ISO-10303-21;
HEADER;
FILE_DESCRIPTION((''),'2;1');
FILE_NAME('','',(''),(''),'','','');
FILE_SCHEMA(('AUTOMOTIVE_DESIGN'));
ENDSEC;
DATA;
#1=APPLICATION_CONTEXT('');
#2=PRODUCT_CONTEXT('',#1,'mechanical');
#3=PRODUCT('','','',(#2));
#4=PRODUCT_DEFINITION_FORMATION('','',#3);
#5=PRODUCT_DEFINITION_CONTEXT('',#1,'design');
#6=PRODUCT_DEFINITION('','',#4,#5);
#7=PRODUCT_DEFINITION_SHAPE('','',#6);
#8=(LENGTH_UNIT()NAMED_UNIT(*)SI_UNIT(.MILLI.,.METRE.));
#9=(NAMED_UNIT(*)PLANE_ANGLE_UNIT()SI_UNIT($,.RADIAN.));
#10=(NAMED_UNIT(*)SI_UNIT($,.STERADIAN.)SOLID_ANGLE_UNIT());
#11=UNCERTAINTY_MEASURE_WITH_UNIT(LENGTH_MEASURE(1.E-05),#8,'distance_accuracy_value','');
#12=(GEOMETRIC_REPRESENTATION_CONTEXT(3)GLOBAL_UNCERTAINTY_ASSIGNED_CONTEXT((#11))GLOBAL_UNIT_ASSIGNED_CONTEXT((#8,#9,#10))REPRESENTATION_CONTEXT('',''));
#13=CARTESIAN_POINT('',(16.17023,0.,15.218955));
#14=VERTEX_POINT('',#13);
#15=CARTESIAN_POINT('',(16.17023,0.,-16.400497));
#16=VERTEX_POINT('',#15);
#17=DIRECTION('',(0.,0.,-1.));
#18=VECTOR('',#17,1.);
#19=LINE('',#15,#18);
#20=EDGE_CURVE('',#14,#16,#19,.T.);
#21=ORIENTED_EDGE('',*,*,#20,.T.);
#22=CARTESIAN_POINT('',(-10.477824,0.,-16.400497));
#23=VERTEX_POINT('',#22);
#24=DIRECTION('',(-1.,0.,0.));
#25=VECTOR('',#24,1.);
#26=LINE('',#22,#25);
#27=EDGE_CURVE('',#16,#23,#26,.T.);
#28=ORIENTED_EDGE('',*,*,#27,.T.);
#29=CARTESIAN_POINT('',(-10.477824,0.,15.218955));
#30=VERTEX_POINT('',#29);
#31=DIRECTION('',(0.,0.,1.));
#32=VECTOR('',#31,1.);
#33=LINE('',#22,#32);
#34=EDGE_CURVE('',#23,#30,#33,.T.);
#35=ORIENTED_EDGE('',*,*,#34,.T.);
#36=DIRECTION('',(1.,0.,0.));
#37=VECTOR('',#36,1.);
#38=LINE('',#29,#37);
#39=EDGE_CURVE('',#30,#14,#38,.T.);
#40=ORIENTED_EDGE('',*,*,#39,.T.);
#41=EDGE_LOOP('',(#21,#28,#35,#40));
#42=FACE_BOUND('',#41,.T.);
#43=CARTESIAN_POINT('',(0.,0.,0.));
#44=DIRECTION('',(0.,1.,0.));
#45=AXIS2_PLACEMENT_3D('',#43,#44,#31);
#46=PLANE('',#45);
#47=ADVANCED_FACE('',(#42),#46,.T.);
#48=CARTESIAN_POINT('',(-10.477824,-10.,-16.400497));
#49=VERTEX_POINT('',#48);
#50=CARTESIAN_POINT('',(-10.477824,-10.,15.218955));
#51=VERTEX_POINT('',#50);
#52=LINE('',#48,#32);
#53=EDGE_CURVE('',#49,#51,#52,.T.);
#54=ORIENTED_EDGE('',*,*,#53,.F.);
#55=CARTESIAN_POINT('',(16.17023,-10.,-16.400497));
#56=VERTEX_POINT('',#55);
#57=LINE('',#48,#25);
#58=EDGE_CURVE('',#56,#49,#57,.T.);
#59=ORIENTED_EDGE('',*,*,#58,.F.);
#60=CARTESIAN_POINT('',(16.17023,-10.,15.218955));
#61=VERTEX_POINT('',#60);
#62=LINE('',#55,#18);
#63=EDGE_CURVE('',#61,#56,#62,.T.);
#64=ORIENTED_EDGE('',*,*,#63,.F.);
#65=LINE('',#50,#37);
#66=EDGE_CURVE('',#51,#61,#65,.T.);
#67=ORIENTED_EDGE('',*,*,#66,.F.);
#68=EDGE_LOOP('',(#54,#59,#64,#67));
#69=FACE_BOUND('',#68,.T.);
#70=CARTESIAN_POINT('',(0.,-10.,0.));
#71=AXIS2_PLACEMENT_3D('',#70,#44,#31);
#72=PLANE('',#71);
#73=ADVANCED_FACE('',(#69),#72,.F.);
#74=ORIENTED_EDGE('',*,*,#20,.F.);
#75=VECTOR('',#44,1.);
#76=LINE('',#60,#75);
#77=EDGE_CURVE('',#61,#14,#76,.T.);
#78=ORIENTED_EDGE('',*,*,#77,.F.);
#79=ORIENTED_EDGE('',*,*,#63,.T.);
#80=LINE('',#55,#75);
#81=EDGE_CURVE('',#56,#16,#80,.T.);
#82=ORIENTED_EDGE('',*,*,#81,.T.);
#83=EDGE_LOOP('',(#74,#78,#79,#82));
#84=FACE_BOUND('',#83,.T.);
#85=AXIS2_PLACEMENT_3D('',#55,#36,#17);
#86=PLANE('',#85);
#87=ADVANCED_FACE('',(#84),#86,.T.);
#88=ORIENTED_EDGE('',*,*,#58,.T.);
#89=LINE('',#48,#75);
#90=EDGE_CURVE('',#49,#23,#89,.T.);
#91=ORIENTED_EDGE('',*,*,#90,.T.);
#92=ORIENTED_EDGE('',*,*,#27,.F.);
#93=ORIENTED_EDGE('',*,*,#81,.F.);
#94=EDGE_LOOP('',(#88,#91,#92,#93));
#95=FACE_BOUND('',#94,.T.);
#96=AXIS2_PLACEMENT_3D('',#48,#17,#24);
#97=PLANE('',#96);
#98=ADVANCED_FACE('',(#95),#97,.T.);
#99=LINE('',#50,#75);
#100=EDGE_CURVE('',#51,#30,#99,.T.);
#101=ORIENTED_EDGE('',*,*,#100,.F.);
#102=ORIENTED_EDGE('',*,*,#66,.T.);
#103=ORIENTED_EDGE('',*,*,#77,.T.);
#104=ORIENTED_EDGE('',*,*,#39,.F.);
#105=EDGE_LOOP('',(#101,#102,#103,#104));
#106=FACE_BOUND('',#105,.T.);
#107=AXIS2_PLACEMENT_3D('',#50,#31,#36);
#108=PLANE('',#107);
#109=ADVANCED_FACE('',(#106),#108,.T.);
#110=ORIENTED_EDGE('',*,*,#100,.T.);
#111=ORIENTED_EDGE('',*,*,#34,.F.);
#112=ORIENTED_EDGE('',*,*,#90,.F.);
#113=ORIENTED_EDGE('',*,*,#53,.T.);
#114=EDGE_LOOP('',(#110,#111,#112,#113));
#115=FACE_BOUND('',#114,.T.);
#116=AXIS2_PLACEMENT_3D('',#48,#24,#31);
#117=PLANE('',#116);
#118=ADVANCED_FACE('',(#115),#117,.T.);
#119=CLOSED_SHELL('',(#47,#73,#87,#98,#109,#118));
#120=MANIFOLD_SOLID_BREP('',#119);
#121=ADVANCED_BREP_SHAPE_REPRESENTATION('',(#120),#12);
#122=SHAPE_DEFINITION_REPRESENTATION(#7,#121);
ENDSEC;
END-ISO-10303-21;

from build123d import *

# Parameters (mm, degrees)
SKETCH1_W             = 26.648053927
SKETCH1_H             = 31.619452056
PIERCEABLEPLANE_DEPTH = 10


with BuildPart() as part:
    # Sketch1 → pierceablePlane (new body)
    with BuildSketch(Plane(origin=(0, 0, 0), x_dir=(1, 0, 0), z_dir=(0, 1, 0))):
        with Locations((2.846202936, 0.590770954)):
            Rectangle(SKETCH1_W, SKETCH1_H)
    extrude(amount=-PIERCEABLEPLANE_DEPTH)


solid = part.part
